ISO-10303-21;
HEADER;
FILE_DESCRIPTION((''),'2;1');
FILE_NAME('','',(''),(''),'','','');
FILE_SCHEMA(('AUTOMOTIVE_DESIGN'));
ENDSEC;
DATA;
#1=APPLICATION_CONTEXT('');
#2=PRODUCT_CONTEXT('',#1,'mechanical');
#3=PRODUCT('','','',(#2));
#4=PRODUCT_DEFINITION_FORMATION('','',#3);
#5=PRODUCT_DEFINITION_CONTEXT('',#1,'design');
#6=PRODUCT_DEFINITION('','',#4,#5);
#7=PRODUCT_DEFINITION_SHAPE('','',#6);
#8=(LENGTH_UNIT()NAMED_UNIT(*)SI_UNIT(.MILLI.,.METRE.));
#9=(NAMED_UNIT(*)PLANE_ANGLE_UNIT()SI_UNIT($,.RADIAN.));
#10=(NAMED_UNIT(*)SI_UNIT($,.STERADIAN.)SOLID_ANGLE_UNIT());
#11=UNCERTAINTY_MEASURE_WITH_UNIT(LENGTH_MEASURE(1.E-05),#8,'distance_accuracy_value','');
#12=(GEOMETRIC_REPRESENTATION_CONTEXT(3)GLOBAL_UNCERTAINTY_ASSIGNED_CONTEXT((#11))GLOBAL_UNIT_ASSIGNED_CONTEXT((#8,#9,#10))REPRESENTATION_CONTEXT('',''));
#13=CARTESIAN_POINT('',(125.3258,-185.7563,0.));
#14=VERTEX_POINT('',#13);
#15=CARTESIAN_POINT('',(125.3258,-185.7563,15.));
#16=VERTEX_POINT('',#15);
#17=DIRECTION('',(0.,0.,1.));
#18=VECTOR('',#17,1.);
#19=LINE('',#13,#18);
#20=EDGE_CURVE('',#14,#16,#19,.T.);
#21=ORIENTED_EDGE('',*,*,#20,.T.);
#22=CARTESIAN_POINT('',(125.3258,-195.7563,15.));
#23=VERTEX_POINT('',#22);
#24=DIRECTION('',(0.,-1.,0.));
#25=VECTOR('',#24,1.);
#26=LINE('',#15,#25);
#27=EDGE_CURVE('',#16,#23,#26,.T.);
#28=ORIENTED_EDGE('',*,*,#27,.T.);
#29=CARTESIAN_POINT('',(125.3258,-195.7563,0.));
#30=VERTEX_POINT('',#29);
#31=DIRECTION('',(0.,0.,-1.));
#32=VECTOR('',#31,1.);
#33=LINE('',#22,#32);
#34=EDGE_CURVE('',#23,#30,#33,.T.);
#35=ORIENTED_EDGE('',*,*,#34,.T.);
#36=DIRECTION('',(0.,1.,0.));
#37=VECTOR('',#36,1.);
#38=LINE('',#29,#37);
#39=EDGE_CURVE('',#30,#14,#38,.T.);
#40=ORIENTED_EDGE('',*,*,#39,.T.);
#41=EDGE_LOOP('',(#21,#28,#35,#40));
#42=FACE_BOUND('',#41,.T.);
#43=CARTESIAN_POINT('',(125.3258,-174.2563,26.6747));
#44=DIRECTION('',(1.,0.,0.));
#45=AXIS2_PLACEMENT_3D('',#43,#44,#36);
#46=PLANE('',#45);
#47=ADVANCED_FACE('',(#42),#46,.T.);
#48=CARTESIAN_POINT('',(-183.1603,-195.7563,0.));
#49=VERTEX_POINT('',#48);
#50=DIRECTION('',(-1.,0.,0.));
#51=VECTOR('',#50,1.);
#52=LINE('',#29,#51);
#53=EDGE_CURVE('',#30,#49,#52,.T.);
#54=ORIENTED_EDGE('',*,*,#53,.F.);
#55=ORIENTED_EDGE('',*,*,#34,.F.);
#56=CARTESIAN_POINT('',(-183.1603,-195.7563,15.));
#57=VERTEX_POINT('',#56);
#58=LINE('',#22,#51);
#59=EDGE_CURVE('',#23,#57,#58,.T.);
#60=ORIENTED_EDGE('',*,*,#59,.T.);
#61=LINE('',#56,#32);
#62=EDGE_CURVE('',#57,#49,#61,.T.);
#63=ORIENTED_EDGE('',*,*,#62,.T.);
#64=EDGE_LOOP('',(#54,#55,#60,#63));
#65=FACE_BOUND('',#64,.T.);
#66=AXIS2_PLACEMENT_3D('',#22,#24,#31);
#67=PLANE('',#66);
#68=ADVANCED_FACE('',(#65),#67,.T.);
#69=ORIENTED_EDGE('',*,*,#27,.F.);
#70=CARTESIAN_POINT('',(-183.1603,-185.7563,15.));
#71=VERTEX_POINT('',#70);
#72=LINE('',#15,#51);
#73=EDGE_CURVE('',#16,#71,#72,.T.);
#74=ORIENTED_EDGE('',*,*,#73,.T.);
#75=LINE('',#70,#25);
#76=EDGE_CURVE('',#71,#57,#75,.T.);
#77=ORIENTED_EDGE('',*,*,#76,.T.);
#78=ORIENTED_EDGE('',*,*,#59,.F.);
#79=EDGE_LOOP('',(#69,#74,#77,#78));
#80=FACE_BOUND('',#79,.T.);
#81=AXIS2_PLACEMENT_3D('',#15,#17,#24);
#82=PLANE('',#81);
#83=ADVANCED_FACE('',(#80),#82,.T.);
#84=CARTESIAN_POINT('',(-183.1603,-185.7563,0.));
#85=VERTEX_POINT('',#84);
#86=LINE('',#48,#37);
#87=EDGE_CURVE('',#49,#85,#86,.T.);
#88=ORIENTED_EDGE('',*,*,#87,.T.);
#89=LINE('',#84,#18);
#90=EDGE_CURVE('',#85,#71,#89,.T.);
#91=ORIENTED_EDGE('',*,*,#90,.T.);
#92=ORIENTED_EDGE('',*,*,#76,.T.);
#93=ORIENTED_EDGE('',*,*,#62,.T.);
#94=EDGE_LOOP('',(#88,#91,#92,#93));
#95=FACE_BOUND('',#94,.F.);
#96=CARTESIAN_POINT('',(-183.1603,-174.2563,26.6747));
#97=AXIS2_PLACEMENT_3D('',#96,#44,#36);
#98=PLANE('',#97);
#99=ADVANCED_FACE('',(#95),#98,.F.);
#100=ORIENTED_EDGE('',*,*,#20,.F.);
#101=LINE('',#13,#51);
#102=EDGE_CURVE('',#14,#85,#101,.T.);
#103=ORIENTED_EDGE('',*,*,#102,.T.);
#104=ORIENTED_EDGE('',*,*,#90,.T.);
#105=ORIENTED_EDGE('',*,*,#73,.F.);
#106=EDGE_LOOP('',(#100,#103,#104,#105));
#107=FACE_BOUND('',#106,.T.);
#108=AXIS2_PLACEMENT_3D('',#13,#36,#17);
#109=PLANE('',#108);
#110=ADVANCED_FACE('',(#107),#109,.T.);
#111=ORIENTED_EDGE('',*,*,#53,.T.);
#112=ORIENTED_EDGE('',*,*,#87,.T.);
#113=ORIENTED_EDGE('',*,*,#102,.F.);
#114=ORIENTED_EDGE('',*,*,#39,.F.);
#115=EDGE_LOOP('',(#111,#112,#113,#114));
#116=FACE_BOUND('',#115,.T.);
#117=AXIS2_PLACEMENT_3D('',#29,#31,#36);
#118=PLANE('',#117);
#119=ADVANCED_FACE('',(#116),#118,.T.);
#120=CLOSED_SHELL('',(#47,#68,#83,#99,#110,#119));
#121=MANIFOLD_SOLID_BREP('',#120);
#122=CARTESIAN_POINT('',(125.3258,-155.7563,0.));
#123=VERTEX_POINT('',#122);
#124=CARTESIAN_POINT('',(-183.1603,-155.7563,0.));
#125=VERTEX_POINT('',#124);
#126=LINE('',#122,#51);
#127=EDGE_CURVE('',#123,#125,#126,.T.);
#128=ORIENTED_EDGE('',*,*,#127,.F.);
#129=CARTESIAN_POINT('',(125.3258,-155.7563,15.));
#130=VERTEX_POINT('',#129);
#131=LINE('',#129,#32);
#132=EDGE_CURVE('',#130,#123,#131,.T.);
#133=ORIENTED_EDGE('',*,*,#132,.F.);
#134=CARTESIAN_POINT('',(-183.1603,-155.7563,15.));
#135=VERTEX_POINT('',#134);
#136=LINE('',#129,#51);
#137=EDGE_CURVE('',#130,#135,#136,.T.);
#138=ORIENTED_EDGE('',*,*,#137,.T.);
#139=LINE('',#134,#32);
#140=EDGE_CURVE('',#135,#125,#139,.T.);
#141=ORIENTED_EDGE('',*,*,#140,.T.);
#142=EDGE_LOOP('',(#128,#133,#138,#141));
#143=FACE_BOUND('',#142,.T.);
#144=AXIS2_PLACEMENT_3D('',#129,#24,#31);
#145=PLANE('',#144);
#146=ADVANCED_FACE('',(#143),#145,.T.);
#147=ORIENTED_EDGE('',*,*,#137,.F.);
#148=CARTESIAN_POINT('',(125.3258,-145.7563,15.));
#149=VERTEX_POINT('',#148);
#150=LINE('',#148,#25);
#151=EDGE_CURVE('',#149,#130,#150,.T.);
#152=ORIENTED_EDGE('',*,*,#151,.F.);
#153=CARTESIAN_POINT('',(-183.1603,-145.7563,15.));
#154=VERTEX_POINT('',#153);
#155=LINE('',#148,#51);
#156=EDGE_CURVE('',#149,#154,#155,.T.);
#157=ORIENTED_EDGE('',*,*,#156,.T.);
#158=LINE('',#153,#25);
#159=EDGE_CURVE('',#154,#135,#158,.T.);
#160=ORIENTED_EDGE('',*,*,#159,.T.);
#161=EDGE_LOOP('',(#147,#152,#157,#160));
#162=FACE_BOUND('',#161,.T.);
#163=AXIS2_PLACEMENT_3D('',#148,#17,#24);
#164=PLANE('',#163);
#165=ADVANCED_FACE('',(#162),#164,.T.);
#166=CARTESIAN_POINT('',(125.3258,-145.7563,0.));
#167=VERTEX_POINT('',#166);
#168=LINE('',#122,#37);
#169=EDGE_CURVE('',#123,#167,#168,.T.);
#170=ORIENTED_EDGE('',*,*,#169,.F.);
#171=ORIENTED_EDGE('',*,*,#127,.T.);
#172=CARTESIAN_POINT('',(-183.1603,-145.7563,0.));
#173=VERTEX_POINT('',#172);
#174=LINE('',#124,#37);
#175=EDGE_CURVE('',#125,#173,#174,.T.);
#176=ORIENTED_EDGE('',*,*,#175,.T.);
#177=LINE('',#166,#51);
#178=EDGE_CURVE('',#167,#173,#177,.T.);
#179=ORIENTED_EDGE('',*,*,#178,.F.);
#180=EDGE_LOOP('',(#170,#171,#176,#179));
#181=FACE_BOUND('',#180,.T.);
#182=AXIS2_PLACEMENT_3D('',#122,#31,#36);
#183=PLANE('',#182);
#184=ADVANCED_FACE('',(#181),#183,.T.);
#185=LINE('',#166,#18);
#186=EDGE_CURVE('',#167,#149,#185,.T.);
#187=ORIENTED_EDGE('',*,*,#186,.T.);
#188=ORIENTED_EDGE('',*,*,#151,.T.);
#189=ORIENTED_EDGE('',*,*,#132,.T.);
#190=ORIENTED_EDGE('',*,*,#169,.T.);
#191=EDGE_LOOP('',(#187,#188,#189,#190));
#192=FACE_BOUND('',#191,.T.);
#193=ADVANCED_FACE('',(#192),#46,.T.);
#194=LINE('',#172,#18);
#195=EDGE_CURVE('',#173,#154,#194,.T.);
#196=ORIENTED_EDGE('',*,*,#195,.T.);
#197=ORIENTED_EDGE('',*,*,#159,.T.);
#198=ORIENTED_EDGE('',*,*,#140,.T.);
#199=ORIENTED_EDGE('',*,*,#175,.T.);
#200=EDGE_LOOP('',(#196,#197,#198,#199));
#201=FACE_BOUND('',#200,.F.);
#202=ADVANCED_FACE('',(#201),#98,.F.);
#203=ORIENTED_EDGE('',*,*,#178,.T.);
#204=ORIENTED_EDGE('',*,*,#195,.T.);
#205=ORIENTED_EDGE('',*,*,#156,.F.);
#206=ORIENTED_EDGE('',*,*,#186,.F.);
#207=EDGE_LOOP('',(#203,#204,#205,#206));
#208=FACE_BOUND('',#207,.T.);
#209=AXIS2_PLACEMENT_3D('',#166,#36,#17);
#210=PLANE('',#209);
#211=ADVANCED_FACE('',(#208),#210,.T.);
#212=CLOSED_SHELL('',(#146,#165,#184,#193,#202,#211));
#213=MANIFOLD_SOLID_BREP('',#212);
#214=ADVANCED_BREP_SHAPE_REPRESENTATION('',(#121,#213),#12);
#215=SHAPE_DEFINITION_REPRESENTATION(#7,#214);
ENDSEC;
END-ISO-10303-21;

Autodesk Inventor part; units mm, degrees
ref_plane "YZ Plane" through (0, 0, 0) normal (1, 0, 0) x (0, 1, 0)
ref_plane "XZ Plane" through (0, 0, 0) normal (0, 1, 0) x (-1, 0, 0)
ref_plane "工作平面1" through (125.3258, -174.2563, 26.6747) normal (1, 0, 0) x (0, 1, 0)
sketch "草圖1" plane through (125.3258, -174.2563, 26.6747) normal (1, 0, 0) x (0, 1, 0)
  arc A0 (0, -1.1604) -> (0, 1.1604) centre (0, 0) ccw projected
  arc A1 (-11.4249, 30.749) -> (0, 1.1604) centre (0, 18.1604) ccw projected
  arc A2 (-11.4249, 30.749) -> (0, -1.1604) centre (0, 16.8396) ccw projected
  line L0 (146.0063, -26.6747) -> (-33.9937, -26.6747) construction
  line L1 (-21.5, -26.6747) -> (-11.5, -26.6747)
  line L2 (-11.5, -26.6747) -> (-11.5, -11.6747)
  line L3 (-11.5, -11.6747) -> (-21.5, -11.6747)
  line L4 (-21.5, -11.6747) -> (-21.5, -26.6747)
  line L5 (18.5, -26.6747) -> (28.5, -26.6747)
  line L6 (28.5, -26.6747) -> (28.5, -11.6747)
  line L7 (28.5, -11.6747) -> (18.5, -11.6747)
  line L8 (18.5, -11.6747) -> (18.5, -26.6747)
  circle A3 centre (7, 0.0707) radius 1.1024 projected
  line L9 (3.5, 0) -> (3.5, -26.6747) construction
  point P0 (174.2563, -26.6747)
  dimension "d0" = 30
  dimension "d1" = 3.5
  dimension "d2" = 10
  dimension "d3" = 15
ref_plane "工作平面2" through (-183.1603, -208.25, 0) normal (1, 0, 0) x (0, 1, 0)
extrude "擠出1" add sketch "草圖1" against normal up to surface (308.4861 mm away) contours L4 L3 L2 L1 | L8 L7 L6 L5
properties part number "長方形塊"
